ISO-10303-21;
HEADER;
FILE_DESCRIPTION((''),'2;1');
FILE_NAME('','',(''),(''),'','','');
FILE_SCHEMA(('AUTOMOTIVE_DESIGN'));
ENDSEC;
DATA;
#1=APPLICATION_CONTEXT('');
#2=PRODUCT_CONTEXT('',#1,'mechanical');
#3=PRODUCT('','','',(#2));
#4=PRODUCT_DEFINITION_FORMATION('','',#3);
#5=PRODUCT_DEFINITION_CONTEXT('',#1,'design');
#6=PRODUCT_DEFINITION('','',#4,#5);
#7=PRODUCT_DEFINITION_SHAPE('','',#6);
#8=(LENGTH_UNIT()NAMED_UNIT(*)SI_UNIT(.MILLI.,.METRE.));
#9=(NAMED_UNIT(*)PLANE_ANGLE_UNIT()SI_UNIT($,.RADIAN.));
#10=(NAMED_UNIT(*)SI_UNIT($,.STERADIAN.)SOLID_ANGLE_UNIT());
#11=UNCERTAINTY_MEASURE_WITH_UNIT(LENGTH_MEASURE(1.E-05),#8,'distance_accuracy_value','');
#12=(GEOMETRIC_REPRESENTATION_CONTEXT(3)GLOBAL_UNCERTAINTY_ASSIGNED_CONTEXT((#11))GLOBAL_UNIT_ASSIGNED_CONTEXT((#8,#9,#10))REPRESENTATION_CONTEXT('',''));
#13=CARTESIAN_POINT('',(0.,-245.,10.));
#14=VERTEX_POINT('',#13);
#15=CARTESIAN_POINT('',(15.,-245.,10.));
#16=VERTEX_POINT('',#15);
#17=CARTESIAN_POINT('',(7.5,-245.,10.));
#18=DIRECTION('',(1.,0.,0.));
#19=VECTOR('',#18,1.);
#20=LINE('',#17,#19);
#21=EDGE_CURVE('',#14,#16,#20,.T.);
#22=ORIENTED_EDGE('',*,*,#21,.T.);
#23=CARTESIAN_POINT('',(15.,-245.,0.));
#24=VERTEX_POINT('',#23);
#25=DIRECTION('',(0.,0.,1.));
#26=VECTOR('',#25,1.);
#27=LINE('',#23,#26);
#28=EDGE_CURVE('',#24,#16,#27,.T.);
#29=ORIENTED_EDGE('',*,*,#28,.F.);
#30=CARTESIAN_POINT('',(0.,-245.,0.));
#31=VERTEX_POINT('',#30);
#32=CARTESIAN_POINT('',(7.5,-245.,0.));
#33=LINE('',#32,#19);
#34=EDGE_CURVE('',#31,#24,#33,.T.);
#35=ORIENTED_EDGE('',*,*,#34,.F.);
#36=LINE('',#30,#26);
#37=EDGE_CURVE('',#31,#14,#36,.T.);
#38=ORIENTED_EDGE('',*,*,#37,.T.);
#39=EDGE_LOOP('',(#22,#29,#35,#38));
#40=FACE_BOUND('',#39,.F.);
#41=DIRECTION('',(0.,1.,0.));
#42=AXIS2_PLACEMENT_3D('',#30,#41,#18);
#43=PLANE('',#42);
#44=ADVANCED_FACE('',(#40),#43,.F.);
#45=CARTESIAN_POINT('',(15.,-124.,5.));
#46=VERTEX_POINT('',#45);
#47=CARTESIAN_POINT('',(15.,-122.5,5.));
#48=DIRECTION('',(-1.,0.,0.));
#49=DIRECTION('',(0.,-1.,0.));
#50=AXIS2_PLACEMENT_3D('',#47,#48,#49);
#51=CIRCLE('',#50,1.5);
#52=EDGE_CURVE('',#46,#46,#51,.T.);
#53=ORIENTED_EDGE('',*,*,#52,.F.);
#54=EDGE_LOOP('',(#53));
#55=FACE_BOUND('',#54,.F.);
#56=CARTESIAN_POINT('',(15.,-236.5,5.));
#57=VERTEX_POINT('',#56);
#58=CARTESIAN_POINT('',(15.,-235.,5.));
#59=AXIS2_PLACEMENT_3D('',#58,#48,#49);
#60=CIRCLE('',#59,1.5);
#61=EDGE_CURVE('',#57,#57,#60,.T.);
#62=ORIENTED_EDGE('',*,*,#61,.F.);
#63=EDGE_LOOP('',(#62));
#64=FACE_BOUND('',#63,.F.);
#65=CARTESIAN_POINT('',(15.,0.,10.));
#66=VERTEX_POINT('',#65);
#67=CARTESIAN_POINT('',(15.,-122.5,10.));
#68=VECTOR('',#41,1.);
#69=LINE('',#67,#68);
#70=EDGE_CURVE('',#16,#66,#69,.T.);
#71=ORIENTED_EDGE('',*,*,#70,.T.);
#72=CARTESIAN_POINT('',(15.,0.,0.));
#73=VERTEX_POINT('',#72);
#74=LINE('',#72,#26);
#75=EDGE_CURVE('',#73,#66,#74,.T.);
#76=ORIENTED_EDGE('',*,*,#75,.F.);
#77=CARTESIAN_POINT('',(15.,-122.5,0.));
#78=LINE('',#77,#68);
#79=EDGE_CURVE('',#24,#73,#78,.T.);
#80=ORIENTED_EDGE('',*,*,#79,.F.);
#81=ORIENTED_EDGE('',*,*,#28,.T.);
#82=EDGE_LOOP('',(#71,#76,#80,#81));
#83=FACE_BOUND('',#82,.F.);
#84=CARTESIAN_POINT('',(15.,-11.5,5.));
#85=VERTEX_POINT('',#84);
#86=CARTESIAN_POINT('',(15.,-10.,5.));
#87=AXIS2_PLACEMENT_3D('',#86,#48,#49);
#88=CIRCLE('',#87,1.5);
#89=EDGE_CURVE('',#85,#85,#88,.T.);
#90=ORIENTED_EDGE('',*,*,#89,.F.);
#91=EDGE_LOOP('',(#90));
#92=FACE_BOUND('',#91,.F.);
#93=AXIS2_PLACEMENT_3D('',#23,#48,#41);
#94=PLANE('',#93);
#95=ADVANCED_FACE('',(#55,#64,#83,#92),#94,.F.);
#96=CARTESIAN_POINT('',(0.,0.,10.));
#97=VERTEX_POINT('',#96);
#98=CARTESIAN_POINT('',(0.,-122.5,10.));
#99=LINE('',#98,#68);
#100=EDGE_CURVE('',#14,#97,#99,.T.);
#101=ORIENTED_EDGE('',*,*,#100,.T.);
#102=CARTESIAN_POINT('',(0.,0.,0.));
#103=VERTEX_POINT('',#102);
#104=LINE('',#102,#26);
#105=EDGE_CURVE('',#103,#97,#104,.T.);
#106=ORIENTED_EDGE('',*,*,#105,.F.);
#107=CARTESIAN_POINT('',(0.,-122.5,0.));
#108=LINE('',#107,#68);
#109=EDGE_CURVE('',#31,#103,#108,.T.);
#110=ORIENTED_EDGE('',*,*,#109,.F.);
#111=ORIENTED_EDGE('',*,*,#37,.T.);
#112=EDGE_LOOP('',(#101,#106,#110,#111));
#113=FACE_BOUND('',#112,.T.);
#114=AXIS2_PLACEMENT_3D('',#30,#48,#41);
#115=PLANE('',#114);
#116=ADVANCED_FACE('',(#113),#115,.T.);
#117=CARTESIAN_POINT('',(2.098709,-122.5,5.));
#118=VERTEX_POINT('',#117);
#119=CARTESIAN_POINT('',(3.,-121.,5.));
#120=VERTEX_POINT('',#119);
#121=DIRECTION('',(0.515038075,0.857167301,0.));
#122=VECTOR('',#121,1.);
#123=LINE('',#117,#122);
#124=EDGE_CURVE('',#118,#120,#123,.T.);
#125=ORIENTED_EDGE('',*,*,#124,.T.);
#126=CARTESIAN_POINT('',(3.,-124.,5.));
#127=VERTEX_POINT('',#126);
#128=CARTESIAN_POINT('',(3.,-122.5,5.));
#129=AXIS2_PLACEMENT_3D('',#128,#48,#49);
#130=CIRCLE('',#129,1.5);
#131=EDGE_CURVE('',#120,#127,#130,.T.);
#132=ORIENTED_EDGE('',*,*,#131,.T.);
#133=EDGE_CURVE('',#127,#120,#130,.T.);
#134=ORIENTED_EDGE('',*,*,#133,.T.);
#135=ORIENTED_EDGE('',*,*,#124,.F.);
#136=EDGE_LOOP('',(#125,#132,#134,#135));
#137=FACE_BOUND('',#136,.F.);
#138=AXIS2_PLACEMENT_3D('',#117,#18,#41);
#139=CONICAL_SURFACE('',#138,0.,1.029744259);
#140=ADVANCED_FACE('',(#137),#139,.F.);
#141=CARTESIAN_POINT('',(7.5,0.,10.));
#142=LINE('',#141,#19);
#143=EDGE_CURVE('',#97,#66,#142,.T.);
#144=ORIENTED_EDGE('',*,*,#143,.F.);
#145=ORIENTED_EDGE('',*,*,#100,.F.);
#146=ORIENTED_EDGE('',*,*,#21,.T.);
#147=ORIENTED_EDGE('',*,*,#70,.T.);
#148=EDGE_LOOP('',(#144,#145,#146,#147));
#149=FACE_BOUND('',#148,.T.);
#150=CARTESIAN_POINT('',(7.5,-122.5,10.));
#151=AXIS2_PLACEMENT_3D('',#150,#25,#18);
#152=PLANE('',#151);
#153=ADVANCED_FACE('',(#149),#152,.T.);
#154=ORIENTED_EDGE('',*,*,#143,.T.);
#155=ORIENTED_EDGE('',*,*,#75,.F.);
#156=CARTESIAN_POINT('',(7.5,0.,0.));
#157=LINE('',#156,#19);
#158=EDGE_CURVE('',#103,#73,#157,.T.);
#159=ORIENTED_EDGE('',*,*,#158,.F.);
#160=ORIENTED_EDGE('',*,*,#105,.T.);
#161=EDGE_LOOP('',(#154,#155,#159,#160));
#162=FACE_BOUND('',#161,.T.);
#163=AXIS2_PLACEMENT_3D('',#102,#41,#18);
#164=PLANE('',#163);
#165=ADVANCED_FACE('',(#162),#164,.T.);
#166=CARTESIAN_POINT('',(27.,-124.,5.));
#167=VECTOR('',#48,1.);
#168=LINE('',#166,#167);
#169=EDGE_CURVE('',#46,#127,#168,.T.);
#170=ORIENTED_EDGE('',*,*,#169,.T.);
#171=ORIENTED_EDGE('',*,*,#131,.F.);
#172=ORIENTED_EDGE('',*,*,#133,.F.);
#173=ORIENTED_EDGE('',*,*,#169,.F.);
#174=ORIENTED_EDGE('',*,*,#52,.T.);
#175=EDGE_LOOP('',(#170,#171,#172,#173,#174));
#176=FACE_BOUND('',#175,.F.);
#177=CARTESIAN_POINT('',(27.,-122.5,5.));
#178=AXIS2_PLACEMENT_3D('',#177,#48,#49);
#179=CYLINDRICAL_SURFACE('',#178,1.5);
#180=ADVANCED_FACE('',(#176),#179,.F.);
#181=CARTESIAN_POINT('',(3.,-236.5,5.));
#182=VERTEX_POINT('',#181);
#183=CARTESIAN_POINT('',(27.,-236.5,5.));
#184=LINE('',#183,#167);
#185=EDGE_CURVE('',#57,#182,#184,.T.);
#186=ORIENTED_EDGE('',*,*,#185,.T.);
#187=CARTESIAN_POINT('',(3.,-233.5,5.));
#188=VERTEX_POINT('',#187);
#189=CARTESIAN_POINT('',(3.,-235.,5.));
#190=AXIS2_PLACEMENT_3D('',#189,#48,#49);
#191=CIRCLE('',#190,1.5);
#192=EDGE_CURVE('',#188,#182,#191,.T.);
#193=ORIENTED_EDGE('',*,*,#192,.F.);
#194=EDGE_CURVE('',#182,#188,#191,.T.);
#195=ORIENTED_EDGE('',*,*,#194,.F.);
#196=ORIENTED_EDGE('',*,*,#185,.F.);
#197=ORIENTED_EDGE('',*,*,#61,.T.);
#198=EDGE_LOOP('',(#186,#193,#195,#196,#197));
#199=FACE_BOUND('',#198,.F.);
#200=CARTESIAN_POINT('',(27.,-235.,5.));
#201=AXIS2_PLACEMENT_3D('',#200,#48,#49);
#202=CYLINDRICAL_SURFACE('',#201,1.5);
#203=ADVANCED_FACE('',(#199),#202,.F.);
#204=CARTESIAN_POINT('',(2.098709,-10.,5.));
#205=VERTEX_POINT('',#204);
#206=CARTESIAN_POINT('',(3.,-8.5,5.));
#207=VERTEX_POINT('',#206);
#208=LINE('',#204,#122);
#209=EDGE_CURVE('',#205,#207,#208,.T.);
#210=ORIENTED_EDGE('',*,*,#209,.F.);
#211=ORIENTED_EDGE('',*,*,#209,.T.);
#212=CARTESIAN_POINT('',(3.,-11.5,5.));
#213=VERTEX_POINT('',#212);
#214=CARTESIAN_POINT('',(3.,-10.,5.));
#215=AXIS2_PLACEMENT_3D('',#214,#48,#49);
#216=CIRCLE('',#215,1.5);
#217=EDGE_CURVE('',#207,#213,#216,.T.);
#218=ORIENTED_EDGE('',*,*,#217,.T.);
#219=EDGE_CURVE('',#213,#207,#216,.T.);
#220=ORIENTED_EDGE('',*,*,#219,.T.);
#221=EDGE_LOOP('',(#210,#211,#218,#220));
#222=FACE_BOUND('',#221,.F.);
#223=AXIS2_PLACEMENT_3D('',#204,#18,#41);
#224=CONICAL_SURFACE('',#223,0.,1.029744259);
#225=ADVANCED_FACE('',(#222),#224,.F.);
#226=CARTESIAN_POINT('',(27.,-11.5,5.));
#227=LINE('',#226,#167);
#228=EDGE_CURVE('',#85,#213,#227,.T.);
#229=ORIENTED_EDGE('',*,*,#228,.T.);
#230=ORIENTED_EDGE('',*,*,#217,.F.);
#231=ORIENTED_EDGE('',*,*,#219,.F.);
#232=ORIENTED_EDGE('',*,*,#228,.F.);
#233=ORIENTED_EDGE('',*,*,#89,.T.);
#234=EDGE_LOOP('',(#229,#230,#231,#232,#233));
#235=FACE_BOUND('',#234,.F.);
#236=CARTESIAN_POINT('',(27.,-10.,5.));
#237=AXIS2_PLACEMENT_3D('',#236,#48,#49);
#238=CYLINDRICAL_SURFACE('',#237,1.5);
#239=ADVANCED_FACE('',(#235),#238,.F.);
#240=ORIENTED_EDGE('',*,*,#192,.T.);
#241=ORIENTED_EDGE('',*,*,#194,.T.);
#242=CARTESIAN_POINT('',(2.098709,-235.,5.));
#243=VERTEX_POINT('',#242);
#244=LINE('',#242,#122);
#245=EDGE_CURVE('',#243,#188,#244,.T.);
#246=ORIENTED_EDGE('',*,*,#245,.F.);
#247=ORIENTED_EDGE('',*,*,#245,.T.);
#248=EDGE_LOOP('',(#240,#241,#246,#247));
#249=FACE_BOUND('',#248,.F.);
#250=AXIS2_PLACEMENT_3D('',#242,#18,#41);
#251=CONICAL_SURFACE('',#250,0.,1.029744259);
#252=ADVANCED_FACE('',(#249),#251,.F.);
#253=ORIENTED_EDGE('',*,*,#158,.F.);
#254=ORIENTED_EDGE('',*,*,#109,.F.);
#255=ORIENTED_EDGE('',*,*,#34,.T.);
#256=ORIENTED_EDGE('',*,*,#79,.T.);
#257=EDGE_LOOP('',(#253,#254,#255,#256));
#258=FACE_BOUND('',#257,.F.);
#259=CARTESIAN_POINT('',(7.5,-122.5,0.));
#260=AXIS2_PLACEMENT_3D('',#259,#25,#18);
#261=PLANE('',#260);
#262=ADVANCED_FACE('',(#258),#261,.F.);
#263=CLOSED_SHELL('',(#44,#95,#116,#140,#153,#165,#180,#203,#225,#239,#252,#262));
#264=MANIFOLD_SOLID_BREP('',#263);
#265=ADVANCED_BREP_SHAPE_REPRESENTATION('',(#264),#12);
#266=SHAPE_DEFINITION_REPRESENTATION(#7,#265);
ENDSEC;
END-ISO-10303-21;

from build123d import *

# Parameters (mm, degrees)
F0_W     = 15
F0_H     = 245
F1_DEPTH = 10
F3_D     = 3
F3_DEPTH = 12
F3_TIP   = 0.9012909285


with BuildPart() as f1:
    # F0 (on Top) → F1 (new body)
    with BuildSketch(Plane.XY):
        with Locations((7.5, -122.5)):
            Rectangle(F0_W, F0_H)
    extrude(amount=F1_DEPTH)

    # F3
    with Locations(Plane.YZ.offset(15)):
        with Locations((-235, 5), (-122.5, 5), (-10, 5)):
            Hole(F3_D / 2, depth=F3_DEPTH)
            with Locations((0, 0, -(F3_DEPTH + F3_TIP / 2))):  # 118° drill point
                Cone(0, F3_D / 2, F3_TIP, mode=Mode.SUBTRACT)


solid = f1.part
